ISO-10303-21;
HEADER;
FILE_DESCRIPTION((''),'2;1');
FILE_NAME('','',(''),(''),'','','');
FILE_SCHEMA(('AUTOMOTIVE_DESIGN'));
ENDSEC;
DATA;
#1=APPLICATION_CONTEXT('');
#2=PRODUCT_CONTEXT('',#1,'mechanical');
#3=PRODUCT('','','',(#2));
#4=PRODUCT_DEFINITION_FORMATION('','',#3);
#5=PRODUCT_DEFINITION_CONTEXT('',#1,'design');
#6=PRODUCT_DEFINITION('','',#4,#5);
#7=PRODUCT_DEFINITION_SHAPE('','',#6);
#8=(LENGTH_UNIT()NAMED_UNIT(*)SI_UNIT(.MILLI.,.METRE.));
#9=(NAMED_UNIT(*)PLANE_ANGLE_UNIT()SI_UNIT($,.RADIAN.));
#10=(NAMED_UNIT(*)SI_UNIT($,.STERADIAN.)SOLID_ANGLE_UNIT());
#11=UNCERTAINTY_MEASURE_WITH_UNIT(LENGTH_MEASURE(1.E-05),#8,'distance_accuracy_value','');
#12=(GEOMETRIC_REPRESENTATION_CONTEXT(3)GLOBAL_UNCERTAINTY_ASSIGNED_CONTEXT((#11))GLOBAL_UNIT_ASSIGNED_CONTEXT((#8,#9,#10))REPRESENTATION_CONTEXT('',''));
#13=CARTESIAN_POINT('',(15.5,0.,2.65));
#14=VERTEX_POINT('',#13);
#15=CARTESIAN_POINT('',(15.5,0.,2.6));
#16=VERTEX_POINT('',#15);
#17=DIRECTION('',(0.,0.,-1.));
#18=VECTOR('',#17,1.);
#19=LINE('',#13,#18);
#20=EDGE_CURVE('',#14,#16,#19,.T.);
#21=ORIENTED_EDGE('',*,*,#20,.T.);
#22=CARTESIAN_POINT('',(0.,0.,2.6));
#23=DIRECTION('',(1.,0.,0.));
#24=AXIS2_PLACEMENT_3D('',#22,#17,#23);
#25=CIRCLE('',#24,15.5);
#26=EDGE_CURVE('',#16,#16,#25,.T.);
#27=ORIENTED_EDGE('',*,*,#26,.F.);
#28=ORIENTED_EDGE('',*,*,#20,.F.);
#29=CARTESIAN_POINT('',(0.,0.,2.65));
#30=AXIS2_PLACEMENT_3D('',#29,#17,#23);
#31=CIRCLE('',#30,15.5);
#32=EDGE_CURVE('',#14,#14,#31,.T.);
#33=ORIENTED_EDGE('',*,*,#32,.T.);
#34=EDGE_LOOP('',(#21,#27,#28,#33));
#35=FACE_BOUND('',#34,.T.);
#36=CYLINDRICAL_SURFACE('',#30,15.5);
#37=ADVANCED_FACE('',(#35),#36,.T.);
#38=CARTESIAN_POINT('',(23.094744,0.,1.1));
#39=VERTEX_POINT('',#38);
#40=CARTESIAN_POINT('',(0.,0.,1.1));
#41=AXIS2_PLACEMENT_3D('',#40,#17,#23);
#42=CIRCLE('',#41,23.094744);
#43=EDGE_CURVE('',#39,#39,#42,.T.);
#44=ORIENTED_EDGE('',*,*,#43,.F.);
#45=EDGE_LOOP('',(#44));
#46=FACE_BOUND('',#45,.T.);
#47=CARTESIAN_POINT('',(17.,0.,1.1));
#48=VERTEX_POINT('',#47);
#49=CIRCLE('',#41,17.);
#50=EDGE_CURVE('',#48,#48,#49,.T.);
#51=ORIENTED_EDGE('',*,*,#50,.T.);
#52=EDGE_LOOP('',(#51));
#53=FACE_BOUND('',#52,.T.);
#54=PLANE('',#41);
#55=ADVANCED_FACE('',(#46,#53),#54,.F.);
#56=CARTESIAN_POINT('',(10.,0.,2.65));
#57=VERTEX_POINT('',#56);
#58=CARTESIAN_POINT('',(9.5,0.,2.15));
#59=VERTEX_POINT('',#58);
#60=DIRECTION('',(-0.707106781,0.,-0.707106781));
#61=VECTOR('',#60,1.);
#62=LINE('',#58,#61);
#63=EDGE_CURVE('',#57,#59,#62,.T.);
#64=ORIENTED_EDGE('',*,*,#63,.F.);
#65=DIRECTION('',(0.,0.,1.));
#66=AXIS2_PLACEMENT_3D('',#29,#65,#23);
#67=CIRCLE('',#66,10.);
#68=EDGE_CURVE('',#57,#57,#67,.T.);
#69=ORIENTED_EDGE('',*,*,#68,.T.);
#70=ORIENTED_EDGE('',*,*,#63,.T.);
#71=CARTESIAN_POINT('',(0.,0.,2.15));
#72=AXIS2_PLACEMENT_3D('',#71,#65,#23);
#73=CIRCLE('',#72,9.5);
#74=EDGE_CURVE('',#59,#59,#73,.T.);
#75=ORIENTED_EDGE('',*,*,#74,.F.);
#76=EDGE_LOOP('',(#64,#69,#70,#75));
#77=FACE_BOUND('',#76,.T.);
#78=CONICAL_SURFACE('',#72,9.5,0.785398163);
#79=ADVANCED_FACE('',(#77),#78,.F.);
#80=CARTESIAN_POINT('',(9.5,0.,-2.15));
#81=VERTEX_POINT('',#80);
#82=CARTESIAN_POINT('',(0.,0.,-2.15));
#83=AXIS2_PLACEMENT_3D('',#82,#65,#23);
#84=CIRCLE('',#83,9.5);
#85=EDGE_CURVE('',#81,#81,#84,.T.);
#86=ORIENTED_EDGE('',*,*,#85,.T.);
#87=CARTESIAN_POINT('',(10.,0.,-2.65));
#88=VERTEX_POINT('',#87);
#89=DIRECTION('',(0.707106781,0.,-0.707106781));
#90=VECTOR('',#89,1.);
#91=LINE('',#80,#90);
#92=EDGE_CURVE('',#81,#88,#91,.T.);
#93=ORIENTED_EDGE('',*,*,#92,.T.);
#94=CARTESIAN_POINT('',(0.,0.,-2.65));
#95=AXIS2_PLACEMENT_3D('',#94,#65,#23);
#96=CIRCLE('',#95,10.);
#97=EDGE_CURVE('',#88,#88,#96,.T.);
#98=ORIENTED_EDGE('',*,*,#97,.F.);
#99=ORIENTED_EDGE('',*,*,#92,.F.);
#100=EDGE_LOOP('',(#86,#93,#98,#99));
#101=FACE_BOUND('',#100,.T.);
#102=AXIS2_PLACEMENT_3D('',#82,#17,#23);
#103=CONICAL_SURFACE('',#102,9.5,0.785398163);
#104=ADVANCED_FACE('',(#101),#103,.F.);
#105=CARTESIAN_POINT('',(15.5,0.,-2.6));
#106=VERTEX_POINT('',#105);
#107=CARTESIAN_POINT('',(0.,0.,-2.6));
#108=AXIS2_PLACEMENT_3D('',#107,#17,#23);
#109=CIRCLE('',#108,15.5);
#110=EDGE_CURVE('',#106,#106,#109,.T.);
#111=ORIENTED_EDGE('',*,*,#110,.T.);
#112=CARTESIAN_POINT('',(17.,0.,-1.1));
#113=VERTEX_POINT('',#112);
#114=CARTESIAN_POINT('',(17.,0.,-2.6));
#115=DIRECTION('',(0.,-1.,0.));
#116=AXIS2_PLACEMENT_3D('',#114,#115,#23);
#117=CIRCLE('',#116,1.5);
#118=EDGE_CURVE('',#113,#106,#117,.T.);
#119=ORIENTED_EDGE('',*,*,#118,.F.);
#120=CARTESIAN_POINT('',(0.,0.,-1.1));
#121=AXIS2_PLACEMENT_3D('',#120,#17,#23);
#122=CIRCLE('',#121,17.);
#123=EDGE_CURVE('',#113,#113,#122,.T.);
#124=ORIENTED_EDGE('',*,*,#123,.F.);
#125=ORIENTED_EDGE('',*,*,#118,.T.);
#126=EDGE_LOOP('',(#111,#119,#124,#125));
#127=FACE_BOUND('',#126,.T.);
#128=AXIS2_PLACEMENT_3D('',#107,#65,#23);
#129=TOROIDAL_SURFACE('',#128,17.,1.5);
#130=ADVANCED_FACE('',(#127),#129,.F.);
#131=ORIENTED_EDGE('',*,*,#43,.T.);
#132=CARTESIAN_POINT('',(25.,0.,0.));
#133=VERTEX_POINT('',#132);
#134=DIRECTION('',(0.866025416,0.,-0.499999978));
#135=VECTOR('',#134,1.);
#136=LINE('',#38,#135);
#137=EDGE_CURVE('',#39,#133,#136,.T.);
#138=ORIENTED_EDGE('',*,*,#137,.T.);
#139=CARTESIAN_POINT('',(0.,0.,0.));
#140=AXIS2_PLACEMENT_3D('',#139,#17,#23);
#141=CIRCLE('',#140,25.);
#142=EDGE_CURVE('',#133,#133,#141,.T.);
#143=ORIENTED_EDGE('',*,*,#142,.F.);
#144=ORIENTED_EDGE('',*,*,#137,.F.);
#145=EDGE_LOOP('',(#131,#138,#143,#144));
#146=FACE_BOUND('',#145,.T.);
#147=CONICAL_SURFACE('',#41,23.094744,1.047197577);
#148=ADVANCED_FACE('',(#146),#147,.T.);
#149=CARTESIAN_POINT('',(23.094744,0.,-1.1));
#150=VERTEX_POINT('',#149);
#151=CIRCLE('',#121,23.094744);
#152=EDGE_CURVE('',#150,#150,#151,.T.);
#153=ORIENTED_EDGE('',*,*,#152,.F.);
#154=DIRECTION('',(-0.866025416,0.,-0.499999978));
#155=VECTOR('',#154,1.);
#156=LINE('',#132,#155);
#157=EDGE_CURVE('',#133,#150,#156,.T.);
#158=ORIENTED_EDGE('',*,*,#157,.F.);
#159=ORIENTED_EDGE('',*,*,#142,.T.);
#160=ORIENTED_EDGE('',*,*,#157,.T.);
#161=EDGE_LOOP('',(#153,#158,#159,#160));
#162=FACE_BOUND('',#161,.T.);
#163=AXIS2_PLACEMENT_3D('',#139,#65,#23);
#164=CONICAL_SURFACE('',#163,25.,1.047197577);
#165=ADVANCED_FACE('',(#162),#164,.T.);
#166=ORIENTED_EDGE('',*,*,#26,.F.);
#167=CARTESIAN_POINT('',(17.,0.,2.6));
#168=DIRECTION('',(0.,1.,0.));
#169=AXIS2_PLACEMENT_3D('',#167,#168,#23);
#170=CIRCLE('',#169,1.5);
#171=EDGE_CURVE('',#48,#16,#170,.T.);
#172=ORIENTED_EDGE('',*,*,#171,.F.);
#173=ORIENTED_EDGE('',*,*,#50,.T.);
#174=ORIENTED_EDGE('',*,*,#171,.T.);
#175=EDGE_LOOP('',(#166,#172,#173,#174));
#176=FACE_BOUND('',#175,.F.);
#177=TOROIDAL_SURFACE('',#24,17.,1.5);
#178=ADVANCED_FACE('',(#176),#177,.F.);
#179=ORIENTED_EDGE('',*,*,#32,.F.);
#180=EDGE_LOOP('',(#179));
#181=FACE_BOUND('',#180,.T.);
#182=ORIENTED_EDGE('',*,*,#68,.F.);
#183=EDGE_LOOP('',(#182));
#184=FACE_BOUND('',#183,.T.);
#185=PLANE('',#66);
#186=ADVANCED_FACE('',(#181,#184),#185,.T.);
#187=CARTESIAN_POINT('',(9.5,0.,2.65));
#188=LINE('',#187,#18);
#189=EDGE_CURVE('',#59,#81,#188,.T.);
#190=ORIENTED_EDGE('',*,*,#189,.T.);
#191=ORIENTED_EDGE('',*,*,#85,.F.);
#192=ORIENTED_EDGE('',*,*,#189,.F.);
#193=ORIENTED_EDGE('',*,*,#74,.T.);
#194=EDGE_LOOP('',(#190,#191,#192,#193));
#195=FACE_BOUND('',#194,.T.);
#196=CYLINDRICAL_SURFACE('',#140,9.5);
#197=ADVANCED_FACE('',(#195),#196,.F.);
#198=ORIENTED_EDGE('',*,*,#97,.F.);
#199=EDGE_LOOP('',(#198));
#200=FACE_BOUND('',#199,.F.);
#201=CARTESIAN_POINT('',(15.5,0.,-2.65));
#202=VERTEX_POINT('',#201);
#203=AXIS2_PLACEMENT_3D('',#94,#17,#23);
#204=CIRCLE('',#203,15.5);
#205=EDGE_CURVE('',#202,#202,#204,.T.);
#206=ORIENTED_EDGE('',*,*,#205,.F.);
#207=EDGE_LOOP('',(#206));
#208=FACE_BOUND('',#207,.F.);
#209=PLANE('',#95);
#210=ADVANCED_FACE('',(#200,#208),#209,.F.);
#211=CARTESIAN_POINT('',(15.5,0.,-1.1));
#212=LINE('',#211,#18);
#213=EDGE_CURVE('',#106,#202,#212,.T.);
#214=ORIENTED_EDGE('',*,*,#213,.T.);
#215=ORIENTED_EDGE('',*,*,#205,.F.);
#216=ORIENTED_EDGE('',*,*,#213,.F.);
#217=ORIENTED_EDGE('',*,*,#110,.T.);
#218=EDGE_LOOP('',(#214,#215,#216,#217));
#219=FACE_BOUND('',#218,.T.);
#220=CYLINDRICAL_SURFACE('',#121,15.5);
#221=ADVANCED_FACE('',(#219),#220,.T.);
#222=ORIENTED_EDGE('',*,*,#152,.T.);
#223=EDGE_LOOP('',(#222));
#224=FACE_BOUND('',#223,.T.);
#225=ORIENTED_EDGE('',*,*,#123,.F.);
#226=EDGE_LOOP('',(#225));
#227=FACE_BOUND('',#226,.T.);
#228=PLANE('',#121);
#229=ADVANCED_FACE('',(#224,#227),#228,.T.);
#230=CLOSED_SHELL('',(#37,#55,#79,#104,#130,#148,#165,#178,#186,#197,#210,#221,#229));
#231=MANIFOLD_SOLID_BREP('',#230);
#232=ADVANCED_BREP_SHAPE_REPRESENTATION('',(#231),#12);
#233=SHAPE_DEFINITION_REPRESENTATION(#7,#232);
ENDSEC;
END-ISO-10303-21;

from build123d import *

# Parameters (mm, degrees)
F0_R     = 25
F0_R_2   = 9.5
F1_DEPTH = 2.65
F4_R     = 1.5
F5_SIZE  = 0.5


with BuildPart() as f1:
    # F0 (on Top) → F1 (new body, symmetric)
    with BuildSketch(Plane.XY):
        Circle(F0_R)
        Circle(F0_R_2, mode=Mode.SUBTRACT)
    extrude(amount=F1_DEPTH, both=True)

    # F2 (on Front) → F3 (revolve, cut)
    with BuildSketch(Plane.XZ):
        Polygon((42.872044, 12.488453), (15.5, 2.65), (15.5, 1.1), (23.094744, 1.1), (25, 0), (23.094744, -1.1), (15.5, -1.1), (15.5, -2.672665), (42.872044, -11.621938), align=None)
    revolve(axis=Axis((0, 0, -3.257056), (0, 0, -1)), mode=Mode.SUBTRACT)

    # F4
    f4_edges = [f1.edges().sort_by_distance(p)[0] for p in [
        (-15.5, 0, 1.1),
        (-15.5, 0, -1.1),
    ]]
    fillet(f4_edges, radius=F4_R)

    # F5
    f5_edges = [f1.edges().sort_by_distance(p)[0] for p in [
        (-9.5, 0, 2.65),
        (-9.5, 0, -2.65),
    ]]
    chamfer(f5_edges, length=F5_SIZE)


solid = f1.part
